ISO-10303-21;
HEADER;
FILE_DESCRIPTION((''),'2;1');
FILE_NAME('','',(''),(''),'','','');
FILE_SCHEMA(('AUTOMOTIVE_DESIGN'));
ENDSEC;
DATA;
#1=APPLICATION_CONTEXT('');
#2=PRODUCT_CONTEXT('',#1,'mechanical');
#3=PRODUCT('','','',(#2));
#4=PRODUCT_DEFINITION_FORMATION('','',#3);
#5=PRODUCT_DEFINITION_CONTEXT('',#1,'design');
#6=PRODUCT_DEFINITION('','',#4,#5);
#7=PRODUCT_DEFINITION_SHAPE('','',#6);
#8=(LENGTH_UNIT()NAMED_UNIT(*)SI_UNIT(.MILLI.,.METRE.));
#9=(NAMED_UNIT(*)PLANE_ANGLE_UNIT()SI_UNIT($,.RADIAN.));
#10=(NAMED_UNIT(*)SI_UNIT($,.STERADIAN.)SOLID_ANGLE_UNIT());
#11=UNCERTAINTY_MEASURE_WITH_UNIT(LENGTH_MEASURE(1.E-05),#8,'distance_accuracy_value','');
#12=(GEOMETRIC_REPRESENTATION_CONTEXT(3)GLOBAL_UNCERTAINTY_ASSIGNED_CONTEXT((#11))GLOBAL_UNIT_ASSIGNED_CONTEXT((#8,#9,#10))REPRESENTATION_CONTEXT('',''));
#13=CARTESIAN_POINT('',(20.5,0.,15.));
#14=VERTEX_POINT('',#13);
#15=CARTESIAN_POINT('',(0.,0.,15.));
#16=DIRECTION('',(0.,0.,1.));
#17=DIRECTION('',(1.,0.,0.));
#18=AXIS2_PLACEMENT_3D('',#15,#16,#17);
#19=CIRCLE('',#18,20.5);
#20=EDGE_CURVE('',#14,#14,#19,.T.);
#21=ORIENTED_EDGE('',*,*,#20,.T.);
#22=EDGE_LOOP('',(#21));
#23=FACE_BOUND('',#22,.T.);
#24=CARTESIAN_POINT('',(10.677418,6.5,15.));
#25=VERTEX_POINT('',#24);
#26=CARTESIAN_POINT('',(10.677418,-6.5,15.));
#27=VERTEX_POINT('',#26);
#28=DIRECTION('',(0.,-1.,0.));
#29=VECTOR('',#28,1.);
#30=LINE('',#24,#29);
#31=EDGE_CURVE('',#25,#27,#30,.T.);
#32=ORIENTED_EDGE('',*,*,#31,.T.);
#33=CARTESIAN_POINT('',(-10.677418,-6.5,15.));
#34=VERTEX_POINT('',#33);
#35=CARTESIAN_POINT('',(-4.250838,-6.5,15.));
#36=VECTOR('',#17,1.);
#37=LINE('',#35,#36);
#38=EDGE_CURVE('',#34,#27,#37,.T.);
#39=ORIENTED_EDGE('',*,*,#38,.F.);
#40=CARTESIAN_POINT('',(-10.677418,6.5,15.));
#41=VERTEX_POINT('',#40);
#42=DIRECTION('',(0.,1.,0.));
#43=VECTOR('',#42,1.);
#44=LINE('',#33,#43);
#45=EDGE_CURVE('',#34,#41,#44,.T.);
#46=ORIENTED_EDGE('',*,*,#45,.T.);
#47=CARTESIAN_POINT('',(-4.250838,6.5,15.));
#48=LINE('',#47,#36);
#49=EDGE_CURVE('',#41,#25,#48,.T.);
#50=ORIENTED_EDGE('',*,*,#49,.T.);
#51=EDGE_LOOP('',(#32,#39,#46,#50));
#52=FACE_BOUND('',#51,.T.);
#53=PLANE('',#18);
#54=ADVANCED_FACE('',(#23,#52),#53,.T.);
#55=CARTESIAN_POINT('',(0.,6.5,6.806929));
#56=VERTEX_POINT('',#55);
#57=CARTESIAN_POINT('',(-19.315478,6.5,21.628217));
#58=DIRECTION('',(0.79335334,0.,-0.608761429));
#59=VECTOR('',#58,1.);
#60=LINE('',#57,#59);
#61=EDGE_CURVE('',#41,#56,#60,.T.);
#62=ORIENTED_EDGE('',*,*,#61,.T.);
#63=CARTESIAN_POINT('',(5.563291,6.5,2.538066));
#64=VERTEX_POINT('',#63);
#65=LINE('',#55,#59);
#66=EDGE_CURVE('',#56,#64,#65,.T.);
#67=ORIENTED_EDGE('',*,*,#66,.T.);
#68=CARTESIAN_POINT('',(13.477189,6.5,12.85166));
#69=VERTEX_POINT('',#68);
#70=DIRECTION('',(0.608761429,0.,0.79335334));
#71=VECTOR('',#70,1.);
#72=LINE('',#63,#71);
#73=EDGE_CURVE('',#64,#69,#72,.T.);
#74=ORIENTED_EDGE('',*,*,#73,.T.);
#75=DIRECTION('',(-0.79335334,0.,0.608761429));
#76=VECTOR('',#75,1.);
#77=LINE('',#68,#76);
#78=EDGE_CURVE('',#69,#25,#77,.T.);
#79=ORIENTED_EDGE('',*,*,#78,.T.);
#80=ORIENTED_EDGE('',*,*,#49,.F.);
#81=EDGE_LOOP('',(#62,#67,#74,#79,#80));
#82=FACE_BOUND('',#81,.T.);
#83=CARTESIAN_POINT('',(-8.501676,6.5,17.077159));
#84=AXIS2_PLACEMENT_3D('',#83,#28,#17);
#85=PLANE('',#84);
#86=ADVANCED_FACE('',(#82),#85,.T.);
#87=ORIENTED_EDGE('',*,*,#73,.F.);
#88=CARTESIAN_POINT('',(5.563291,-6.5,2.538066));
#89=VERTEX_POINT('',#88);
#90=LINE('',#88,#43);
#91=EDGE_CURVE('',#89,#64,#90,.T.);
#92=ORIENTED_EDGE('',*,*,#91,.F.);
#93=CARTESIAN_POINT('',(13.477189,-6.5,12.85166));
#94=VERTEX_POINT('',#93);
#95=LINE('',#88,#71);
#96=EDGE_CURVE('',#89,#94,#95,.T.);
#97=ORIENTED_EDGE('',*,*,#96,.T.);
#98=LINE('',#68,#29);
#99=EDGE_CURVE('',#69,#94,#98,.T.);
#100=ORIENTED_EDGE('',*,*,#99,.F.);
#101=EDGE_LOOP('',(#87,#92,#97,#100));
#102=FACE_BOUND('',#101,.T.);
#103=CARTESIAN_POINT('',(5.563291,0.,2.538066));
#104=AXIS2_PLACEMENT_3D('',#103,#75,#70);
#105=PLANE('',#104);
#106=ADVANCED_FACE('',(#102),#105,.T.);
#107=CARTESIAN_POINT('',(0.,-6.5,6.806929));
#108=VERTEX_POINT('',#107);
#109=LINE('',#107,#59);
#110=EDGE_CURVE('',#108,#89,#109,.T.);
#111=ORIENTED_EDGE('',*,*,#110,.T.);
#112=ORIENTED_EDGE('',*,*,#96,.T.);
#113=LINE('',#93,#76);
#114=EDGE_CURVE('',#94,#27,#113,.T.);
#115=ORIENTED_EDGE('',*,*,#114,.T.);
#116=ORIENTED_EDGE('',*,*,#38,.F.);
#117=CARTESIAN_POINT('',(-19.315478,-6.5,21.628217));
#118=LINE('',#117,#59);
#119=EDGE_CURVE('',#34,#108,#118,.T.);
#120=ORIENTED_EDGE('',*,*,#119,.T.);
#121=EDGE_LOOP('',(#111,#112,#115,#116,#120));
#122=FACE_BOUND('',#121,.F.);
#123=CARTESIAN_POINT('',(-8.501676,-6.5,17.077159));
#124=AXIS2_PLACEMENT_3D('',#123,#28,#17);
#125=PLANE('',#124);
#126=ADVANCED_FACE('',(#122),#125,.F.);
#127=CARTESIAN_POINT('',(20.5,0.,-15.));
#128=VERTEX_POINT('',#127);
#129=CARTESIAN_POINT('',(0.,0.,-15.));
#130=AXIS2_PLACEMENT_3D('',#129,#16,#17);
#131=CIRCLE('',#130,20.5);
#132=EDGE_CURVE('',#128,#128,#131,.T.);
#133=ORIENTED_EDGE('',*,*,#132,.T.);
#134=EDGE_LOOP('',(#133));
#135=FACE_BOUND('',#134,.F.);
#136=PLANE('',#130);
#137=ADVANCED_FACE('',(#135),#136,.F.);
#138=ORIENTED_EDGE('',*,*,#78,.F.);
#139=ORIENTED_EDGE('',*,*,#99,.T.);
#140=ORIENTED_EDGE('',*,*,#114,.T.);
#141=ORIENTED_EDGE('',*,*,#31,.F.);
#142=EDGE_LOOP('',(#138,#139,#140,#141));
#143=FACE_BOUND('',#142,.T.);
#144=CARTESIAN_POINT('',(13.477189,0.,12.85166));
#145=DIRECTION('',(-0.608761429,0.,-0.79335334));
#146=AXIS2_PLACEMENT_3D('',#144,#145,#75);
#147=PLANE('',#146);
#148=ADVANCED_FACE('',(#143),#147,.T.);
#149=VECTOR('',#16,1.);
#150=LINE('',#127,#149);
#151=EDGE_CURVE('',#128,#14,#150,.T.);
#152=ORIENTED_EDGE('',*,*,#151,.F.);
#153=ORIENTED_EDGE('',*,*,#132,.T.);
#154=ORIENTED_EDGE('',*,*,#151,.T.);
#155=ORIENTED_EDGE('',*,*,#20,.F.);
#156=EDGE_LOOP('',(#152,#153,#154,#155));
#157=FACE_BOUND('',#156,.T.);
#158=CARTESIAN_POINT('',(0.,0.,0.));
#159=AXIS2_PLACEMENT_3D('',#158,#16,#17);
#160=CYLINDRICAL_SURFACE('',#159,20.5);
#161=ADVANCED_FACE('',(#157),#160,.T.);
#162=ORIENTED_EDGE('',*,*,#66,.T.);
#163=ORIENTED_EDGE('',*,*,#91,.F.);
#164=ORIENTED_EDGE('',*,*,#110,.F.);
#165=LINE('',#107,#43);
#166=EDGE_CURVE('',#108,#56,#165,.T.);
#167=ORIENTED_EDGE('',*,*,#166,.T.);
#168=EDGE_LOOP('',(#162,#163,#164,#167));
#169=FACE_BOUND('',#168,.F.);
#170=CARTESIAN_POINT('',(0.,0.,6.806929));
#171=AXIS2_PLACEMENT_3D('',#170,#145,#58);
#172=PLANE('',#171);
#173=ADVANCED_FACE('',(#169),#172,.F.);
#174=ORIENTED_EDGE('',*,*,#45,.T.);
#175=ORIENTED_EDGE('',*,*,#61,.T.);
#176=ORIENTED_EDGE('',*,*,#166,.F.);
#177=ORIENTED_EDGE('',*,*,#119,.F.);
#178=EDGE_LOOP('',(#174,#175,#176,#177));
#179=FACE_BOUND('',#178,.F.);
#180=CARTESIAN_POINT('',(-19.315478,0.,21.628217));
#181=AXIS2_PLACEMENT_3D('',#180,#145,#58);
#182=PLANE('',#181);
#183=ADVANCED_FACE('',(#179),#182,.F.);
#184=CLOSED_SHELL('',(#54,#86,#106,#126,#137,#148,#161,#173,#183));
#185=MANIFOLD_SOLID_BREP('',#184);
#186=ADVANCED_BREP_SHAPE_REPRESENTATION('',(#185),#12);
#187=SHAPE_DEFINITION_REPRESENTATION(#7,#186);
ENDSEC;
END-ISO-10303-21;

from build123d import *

# Parameters (mm, degrees)
F0_R          = 20.5
F1_DEPTH      = 15
F1_DEPTH_BACK = 15
F3_DEPTH      = 6.5
F3_DEPTH_BACK = 6.5


with BuildPart() as f1:
    # F0 (on Top) → F1 (new body, two sides)
    with BuildSketch(Plane.XY) as f1_sk:
        Circle(F0_R)
    extrude(amount=F1_DEPTH)
    extrude(f1_sk.sketch, amount=-F1_DEPTH_BACK)

    # F2 (on Front) → F3 (cut, two sides)
    with BuildSketch(Plane.XZ) as f3_sk:
        Polygon((-19.3154783201, 21.6282171097), (0, 6.8069293089), (0, 15), (-15.3585290316, 26.7850138216), align=None)
        Polygon((0, 15), (0, 6.8069293089), (5.5632907949, 2.53806614), (13.4771893721, 12.8516595638), (-11.401579743, 31.9418105335), (-15.3585290316, 26.7850138216), align=None)
    extrude(amount=-F3_DEPTH, mode=Mode.SUBTRACT)
    extrude(f3_sk.sketch, amount=F3_DEPTH_BACK, mode=Mode.SUBTRACT)


solid = f1.part
